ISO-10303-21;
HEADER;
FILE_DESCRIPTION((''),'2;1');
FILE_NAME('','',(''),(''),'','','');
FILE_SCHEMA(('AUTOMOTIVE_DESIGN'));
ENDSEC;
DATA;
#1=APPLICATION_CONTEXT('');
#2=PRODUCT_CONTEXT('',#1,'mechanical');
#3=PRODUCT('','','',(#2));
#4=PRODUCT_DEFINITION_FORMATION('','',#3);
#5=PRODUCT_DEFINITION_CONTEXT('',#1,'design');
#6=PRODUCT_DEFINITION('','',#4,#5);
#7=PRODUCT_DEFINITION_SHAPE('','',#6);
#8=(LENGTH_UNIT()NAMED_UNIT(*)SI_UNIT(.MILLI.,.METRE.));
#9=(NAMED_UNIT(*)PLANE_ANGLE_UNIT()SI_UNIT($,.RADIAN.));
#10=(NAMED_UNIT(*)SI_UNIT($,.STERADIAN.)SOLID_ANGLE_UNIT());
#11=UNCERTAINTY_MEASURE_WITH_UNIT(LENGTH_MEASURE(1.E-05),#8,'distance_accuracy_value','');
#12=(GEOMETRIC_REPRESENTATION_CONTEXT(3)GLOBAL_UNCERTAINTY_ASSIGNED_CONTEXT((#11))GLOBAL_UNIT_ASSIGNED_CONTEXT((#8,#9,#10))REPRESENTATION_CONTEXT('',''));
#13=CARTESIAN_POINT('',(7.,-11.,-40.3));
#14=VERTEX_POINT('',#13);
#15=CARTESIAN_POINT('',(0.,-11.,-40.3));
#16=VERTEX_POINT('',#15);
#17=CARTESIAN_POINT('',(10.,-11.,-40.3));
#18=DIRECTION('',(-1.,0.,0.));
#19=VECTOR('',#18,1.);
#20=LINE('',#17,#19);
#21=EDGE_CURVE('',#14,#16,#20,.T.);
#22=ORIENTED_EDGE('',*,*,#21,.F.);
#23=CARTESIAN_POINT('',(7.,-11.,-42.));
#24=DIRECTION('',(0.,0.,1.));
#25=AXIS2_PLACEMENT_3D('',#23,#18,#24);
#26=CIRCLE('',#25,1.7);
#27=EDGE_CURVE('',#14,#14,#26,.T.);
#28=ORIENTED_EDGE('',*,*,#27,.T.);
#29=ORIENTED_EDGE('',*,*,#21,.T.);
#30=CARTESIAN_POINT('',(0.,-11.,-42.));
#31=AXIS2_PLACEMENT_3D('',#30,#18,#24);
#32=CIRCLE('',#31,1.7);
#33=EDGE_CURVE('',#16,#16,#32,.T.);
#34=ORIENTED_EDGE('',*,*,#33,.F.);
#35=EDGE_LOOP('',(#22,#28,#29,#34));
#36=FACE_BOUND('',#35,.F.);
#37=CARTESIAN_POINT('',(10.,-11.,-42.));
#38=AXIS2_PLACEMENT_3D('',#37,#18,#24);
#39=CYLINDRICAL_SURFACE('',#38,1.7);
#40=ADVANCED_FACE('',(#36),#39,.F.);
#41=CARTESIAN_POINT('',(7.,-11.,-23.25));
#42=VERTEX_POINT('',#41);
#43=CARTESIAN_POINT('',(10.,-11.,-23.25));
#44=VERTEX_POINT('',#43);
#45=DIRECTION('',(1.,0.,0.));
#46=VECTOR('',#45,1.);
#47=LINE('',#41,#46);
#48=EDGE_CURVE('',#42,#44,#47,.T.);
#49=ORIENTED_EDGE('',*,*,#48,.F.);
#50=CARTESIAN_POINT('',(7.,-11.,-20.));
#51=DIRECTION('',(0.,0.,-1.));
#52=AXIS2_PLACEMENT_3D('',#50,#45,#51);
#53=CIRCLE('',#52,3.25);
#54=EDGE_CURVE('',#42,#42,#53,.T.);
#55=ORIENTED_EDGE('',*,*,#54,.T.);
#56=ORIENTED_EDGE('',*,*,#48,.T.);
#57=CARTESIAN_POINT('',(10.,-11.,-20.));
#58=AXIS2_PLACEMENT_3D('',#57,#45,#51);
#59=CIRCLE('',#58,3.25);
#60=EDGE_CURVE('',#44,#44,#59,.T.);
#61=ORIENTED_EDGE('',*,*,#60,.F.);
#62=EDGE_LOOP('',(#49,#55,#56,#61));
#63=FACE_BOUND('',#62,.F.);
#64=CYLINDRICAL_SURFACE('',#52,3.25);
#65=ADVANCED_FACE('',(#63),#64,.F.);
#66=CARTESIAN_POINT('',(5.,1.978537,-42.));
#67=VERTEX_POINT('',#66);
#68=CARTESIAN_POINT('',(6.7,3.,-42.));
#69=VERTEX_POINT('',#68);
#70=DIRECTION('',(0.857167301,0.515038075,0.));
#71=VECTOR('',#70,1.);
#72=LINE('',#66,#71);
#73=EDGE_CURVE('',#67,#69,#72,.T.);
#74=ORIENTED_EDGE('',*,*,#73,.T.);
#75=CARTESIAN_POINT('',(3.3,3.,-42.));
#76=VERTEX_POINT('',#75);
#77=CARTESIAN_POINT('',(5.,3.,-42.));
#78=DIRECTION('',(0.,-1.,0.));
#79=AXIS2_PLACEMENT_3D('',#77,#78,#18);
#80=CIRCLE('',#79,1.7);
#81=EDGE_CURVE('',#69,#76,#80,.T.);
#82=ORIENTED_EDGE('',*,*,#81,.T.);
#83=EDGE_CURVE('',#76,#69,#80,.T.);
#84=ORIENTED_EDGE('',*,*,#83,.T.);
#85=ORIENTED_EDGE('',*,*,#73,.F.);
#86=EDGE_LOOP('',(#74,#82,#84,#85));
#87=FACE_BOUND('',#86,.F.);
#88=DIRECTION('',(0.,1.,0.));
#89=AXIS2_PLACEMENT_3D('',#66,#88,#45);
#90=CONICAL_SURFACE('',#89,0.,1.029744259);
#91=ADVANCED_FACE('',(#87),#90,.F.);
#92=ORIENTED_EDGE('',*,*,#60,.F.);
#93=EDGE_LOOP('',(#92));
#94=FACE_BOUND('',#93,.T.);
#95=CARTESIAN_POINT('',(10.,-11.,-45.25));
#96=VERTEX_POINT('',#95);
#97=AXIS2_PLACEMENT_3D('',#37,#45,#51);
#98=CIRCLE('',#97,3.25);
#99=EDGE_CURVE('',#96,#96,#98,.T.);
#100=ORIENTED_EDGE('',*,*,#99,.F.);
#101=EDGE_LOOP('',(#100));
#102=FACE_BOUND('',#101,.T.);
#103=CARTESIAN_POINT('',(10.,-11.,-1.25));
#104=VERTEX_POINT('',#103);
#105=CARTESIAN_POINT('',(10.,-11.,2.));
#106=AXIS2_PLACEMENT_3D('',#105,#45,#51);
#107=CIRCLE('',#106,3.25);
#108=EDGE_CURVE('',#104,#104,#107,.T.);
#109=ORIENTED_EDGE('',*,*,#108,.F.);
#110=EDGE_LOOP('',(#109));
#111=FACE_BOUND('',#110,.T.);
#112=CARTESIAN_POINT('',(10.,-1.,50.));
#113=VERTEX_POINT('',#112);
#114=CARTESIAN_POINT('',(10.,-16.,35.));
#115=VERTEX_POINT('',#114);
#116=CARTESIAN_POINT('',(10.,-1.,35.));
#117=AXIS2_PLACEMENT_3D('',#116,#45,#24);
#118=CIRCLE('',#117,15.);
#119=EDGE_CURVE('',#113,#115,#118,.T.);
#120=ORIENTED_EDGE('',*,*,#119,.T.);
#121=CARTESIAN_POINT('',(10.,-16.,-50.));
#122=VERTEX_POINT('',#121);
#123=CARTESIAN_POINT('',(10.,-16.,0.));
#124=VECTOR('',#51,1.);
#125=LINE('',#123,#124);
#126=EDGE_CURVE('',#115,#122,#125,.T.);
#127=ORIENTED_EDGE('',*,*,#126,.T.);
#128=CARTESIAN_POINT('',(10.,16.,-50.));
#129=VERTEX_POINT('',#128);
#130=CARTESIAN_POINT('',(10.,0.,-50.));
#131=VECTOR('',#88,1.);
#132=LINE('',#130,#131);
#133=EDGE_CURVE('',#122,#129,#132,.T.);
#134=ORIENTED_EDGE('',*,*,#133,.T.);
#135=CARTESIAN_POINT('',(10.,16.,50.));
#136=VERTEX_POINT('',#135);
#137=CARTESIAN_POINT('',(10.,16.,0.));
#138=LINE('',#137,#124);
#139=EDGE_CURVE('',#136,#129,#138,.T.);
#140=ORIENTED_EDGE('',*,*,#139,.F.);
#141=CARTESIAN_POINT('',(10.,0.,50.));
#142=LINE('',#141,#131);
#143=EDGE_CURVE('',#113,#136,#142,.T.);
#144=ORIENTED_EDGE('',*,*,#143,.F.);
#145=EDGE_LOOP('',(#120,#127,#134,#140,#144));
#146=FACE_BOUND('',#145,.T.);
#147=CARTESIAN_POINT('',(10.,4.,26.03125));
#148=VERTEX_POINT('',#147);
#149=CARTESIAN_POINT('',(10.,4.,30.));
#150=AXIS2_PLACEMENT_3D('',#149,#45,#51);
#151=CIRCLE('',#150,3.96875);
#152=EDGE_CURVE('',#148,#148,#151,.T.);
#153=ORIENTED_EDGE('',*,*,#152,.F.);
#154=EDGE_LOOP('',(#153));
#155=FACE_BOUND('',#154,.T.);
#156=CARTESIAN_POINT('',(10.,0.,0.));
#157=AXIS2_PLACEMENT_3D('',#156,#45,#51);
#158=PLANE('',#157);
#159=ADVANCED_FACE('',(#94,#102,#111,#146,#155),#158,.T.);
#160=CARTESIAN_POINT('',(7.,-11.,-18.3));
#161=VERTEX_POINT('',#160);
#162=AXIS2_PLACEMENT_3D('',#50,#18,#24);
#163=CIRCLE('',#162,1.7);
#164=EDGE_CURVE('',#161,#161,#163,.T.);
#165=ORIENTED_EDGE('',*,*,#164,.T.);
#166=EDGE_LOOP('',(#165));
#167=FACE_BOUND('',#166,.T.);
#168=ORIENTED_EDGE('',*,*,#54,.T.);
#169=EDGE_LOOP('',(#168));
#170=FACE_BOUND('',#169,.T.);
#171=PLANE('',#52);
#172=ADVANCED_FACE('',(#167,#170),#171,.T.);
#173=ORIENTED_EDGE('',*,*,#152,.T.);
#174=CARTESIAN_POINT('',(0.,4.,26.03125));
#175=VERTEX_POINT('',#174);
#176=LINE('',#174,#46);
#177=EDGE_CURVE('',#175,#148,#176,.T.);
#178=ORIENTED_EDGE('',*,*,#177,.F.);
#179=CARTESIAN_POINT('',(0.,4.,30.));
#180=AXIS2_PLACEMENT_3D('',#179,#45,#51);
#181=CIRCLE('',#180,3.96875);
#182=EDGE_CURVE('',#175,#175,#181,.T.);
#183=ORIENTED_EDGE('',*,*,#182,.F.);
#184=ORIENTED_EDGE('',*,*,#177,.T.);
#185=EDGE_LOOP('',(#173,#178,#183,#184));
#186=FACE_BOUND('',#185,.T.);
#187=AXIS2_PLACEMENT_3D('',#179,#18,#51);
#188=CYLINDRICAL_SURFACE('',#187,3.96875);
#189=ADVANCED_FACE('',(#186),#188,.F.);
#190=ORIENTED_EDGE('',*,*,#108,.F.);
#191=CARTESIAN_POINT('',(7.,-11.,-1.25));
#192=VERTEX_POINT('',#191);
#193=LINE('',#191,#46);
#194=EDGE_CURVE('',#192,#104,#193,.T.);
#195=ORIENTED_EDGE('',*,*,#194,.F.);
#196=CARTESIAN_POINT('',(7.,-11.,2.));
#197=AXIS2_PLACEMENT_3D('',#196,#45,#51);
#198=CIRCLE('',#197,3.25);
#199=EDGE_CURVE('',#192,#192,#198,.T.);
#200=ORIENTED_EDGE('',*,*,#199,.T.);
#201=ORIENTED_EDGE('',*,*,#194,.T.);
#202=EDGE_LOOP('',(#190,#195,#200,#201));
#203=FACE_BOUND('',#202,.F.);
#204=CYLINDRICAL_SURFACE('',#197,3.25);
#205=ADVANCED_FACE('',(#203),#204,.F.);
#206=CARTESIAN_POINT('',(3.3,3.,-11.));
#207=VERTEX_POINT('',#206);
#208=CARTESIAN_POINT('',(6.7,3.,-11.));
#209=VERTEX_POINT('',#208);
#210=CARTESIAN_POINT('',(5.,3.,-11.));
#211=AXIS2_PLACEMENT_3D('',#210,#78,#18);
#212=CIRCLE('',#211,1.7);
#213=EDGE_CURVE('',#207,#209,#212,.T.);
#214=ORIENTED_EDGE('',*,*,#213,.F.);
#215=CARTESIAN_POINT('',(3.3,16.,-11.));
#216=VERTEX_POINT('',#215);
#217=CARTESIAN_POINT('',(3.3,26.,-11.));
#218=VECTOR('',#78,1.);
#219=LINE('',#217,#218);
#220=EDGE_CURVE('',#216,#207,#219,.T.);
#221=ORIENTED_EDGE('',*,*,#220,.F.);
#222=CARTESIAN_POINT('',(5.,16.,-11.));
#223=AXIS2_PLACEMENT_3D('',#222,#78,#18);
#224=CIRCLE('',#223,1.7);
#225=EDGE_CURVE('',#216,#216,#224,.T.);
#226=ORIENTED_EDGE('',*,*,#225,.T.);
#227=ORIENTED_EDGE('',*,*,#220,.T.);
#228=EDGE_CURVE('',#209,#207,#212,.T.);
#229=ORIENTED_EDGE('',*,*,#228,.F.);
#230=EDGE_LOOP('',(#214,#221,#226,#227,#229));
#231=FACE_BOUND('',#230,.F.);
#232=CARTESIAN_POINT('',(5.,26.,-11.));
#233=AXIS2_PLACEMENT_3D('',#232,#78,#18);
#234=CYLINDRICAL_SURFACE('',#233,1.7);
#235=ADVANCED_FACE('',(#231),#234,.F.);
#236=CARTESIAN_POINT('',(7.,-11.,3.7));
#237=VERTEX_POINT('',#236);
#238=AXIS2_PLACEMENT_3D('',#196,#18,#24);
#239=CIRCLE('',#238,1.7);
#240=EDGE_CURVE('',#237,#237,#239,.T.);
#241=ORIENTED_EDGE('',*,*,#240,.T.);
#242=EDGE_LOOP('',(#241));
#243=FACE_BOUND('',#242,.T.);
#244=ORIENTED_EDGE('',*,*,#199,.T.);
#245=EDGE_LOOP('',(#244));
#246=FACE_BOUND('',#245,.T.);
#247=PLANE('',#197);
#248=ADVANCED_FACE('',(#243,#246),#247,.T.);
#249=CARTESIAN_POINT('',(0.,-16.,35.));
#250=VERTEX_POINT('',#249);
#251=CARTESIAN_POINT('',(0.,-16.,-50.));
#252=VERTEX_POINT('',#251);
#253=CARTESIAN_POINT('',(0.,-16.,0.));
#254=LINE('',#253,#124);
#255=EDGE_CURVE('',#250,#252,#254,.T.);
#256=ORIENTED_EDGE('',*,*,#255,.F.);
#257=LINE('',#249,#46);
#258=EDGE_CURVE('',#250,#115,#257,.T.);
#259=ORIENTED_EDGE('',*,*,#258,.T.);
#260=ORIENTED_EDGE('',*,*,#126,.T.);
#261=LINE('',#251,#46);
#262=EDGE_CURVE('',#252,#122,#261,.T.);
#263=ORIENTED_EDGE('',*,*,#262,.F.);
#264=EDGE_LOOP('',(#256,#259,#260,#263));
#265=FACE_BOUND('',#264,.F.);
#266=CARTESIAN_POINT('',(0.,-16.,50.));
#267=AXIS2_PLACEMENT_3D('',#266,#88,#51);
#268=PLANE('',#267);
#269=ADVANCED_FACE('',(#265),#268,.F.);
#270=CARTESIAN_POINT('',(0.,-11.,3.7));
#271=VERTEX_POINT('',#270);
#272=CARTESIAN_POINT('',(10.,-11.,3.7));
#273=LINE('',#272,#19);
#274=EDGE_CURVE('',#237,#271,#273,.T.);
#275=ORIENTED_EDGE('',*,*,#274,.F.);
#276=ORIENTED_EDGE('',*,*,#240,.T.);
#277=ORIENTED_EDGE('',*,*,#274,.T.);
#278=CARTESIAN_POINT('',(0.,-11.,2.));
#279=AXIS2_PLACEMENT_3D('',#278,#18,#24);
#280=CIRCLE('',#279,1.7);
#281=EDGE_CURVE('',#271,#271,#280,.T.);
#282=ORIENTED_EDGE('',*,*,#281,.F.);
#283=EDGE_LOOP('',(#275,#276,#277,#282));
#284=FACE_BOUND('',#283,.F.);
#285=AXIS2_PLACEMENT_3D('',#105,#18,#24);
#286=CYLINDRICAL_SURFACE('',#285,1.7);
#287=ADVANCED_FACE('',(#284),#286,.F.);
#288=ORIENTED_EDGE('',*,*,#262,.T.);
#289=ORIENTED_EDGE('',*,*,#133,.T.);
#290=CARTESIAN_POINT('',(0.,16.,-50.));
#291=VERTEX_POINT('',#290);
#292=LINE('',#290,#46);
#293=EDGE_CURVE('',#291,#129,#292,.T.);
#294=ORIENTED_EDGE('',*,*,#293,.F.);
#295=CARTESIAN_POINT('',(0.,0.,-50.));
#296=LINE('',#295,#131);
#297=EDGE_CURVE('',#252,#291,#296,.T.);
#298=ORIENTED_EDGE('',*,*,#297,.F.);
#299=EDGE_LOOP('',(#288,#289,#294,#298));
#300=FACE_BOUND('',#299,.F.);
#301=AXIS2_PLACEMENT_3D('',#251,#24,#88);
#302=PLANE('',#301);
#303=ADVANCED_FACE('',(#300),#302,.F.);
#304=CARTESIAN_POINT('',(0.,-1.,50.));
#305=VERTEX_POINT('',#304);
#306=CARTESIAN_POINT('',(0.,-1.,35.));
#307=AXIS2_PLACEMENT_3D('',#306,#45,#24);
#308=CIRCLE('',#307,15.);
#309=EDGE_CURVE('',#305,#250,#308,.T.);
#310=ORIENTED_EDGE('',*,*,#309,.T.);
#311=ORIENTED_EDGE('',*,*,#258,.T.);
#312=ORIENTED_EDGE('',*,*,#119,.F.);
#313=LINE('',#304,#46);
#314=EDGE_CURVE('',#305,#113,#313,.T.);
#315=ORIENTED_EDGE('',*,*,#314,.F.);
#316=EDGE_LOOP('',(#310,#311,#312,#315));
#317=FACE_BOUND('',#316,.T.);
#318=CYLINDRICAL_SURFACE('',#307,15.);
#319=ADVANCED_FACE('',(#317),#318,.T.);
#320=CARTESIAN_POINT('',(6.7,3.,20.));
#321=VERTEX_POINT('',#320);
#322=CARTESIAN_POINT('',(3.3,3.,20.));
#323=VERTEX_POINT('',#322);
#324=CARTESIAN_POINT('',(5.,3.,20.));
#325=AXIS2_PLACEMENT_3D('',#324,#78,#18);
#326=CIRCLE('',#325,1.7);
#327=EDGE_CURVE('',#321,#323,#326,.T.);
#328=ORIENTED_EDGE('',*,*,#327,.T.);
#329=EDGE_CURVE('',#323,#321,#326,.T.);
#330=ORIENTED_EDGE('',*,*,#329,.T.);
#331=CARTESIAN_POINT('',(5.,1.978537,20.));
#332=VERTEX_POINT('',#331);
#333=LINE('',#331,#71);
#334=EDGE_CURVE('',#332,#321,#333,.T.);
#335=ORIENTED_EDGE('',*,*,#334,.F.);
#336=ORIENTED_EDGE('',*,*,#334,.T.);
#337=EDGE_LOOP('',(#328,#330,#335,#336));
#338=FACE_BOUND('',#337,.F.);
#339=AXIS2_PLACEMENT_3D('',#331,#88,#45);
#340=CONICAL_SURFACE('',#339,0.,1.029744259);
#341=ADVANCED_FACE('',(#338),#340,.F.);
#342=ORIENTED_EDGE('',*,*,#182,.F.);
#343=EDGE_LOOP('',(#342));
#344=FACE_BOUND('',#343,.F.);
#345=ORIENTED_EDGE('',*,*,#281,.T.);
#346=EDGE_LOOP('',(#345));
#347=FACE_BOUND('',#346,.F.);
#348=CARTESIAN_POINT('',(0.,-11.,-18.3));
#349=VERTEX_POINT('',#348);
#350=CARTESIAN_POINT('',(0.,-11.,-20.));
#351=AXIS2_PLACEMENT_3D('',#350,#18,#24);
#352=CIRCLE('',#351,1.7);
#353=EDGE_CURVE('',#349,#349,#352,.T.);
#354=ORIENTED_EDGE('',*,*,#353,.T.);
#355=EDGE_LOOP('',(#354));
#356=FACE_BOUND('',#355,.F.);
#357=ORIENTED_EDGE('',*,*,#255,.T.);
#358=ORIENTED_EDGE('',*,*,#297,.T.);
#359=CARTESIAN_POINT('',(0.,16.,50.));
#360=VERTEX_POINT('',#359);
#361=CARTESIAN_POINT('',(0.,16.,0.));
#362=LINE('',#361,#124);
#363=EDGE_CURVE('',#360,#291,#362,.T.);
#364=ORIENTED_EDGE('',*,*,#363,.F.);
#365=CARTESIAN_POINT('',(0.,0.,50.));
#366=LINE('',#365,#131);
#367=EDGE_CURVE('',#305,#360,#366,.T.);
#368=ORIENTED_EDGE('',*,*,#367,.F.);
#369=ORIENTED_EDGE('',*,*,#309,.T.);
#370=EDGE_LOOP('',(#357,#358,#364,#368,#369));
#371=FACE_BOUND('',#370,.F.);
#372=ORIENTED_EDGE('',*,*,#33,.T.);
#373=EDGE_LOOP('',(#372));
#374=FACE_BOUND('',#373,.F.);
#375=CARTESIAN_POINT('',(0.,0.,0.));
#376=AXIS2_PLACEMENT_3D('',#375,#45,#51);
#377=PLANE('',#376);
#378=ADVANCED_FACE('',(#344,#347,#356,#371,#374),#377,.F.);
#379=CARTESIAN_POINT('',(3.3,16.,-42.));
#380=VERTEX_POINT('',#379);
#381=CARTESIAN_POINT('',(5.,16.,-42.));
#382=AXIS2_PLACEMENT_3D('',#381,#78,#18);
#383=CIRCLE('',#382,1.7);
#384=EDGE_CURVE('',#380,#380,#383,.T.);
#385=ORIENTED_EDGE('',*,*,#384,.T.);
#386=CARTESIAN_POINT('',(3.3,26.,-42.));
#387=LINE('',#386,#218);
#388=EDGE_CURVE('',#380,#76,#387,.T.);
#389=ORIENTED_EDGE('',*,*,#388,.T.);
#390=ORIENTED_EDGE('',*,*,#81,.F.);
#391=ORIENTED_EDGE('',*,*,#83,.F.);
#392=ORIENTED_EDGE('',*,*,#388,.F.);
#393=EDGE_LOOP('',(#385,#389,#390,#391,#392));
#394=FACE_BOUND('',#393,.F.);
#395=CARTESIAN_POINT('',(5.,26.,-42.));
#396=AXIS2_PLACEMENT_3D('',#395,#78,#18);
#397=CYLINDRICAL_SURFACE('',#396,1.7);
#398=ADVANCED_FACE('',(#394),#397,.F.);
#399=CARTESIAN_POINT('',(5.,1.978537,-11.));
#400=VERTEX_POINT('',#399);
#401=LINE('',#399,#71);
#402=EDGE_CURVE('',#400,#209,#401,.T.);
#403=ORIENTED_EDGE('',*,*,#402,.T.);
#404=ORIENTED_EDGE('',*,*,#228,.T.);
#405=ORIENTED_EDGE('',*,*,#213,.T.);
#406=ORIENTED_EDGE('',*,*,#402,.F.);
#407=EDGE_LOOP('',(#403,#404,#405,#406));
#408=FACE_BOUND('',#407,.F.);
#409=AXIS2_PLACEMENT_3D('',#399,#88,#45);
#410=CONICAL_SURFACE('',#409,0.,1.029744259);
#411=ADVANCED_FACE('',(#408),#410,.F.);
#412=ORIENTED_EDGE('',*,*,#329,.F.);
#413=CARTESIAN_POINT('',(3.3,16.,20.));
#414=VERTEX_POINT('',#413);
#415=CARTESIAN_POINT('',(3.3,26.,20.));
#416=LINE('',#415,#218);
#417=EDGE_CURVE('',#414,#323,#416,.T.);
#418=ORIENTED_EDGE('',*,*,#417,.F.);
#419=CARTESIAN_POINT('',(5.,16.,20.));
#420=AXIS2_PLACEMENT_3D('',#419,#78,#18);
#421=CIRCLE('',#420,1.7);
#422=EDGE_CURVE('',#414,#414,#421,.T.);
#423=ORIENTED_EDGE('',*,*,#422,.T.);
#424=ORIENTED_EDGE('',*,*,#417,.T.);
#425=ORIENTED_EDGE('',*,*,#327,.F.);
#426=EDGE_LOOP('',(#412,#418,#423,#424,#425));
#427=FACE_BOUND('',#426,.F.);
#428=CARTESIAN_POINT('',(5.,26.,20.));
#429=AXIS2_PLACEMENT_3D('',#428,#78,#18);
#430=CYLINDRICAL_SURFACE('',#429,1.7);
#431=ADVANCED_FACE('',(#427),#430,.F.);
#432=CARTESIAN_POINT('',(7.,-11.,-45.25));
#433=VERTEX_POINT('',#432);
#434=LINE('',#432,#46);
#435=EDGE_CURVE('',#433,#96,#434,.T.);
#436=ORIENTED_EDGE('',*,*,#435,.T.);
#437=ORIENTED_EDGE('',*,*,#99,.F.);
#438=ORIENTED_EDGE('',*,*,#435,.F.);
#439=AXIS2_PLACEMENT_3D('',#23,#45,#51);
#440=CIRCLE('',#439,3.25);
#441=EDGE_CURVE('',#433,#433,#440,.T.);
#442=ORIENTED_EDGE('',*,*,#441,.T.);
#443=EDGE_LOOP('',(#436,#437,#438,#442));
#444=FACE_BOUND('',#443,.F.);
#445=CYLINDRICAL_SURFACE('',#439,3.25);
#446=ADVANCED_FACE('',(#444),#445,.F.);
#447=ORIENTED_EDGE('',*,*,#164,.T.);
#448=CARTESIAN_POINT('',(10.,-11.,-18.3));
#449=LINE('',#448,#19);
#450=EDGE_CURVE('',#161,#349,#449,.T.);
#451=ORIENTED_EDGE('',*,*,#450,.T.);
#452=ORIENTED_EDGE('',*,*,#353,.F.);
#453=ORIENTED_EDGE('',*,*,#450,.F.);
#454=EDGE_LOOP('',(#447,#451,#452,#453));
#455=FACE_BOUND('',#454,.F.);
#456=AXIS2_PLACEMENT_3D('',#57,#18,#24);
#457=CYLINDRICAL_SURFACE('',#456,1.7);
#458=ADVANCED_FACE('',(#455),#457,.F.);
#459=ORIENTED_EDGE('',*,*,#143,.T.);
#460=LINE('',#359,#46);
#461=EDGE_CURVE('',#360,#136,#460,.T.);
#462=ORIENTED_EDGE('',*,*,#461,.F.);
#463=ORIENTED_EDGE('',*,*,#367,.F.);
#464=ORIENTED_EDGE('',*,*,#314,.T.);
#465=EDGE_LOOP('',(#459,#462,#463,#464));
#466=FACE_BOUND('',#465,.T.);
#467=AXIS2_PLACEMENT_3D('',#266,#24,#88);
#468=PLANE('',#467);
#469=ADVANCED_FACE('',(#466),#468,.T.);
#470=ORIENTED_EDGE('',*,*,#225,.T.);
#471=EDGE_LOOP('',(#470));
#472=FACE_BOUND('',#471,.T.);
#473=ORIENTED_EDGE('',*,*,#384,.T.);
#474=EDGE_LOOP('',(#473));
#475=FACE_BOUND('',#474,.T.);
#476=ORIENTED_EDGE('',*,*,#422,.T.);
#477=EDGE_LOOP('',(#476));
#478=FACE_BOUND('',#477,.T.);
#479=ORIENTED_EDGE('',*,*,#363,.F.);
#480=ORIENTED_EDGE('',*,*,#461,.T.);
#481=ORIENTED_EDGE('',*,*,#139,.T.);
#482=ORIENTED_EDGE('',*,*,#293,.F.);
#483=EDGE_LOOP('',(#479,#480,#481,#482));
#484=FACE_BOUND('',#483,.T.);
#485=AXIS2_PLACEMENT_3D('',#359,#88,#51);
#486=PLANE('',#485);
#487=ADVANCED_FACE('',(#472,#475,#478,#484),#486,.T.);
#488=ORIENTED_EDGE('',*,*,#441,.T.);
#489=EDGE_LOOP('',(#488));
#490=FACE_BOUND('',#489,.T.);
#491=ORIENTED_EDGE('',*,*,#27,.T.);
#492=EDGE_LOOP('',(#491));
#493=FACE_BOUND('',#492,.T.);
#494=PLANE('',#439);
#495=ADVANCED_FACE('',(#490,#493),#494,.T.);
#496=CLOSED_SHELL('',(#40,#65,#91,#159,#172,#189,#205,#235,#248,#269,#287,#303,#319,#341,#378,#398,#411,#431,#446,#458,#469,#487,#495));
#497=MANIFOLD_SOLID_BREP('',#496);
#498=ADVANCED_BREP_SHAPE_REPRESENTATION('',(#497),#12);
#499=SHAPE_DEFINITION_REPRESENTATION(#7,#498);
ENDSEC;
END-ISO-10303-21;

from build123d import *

# Parameters (mm, degrees)
SKETCH1_W                      = 100
SKETCH1_H                      = 32
SKETCH1_R                      = 3.96875
BOSS_EXTRUDE1_DEPTH            = 10
FILLET1_R                      = 15
CBORE_FOR_M3_SHCS_D            = 3.4
CBORE_FOR_M3_SHCS_DEPTH        = 23
CBORE_FOR_M3_SHCS_CBORE_D      = 6.5
CBORE_FOR_M3_SHCS_CBORE_DEPTH  = 3
CBORE_FOR_M3_SHCS_TIP          = 1.021463052
CBORE_FOR_M3_SHCS1_D           = 3.4
CBORE_FOR_M3_SHCS1_DEPTH       = 23
CBORE_FOR_M3_SHCS1_CBORE_D     = 6.5
CBORE_FOR_M3_SHCS1_CBORE_DEPTH = 3
CBORE_FOR_M3_SHCS1_TIP         = 1.021463052


with BuildPart() as part:
    # Sketch1 → Boss-Extrude1 (new body)
    with BuildSketch(Plane(origin=(0, 0, 0), x_dir=(0, 0, -1), z_dir=(1, 0, 0))):
        Rectangle(SKETCH1_W, SKETCH1_H)
        with Locations((-30, 4)):
            Circle(SKETCH1_R, mode=Mode.SUBTRACT)
    extrude(amount=BOSS_EXTRUDE1_DEPTH)

    # Fillet1
    fillet1_edges = [part.edges().sort_by_distance(p)[0] for p in [
        (5, -16, 50),
    ]]
    fillet(fillet1_edges, radius=FILLET1_R)

    # CBORE for M3 SHCS
    with Locations(Plane(origin=(-726.293536786, 26, -1323.282701689), x_dir=(1, 0, 0), z_dir=(0, 1, 0))):
        with Locations((731.293536786, -1281.282701689), (731.293536786, -1343.282701689), (621.293536786, -1281.282701689), (621.293536786, -1365.282701689), (621.293536786, -1323.282701689), (731.293536786, -1312.282701689)):
            CounterBoreHole(CBORE_FOR_M3_SHCS_D / 2, CBORE_FOR_M3_SHCS_CBORE_D / 2, CBORE_FOR_M3_SHCS_CBORE_DEPTH, depth=CBORE_FOR_M3_SHCS_DEPTH)
            with Locations((0, 0, -(CBORE_FOR_M3_SHCS_DEPTH + CBORE_FOR_M3_SHCS_TIP / 2))):  # 118° drill point
                Cone(0, CBORE_FOR_M3_SHCS_D / 2, CBORE_FOR_M3_SHCS_TIP, mode=Mode.SUBTRACT)

    # CBORE for M3 SHCS1
    with Locations(Plane(origin=(10, -904.012147263, -1323.282701689), x_dir=(0, 0, -1), z_dir=(1, 0, 0))):
        with Locations((-1281.282701689, 893.012147263), (-1325.282701689, 893.012147263), (-1303.282701689, 893.012147263)):
            CounterBoreHole(CBORE_FOR_M3_SHCS1_D / 2, CBORE_FOR_M3_SHCS1_CBORE_D / 2, CBORE_FOR_M3_SHCS1_CBORE_DEPTH, depth=CBORE_FOR_M3_SHCS1_DEPTH)
            with Locations((0, 0, -(CBORE_FOR_M3_SHCS1_DEPTH + CBORE_FOR_M3_SHCS1_TIP / 2))):  # 118° drill point
                Cone(0, CBORE_FOR_M3_SHCS1_D / 2, CBORE_FOR_M3_SHCS1_TIP, mode=Mode.SUBTRACT)


solid = part.part
